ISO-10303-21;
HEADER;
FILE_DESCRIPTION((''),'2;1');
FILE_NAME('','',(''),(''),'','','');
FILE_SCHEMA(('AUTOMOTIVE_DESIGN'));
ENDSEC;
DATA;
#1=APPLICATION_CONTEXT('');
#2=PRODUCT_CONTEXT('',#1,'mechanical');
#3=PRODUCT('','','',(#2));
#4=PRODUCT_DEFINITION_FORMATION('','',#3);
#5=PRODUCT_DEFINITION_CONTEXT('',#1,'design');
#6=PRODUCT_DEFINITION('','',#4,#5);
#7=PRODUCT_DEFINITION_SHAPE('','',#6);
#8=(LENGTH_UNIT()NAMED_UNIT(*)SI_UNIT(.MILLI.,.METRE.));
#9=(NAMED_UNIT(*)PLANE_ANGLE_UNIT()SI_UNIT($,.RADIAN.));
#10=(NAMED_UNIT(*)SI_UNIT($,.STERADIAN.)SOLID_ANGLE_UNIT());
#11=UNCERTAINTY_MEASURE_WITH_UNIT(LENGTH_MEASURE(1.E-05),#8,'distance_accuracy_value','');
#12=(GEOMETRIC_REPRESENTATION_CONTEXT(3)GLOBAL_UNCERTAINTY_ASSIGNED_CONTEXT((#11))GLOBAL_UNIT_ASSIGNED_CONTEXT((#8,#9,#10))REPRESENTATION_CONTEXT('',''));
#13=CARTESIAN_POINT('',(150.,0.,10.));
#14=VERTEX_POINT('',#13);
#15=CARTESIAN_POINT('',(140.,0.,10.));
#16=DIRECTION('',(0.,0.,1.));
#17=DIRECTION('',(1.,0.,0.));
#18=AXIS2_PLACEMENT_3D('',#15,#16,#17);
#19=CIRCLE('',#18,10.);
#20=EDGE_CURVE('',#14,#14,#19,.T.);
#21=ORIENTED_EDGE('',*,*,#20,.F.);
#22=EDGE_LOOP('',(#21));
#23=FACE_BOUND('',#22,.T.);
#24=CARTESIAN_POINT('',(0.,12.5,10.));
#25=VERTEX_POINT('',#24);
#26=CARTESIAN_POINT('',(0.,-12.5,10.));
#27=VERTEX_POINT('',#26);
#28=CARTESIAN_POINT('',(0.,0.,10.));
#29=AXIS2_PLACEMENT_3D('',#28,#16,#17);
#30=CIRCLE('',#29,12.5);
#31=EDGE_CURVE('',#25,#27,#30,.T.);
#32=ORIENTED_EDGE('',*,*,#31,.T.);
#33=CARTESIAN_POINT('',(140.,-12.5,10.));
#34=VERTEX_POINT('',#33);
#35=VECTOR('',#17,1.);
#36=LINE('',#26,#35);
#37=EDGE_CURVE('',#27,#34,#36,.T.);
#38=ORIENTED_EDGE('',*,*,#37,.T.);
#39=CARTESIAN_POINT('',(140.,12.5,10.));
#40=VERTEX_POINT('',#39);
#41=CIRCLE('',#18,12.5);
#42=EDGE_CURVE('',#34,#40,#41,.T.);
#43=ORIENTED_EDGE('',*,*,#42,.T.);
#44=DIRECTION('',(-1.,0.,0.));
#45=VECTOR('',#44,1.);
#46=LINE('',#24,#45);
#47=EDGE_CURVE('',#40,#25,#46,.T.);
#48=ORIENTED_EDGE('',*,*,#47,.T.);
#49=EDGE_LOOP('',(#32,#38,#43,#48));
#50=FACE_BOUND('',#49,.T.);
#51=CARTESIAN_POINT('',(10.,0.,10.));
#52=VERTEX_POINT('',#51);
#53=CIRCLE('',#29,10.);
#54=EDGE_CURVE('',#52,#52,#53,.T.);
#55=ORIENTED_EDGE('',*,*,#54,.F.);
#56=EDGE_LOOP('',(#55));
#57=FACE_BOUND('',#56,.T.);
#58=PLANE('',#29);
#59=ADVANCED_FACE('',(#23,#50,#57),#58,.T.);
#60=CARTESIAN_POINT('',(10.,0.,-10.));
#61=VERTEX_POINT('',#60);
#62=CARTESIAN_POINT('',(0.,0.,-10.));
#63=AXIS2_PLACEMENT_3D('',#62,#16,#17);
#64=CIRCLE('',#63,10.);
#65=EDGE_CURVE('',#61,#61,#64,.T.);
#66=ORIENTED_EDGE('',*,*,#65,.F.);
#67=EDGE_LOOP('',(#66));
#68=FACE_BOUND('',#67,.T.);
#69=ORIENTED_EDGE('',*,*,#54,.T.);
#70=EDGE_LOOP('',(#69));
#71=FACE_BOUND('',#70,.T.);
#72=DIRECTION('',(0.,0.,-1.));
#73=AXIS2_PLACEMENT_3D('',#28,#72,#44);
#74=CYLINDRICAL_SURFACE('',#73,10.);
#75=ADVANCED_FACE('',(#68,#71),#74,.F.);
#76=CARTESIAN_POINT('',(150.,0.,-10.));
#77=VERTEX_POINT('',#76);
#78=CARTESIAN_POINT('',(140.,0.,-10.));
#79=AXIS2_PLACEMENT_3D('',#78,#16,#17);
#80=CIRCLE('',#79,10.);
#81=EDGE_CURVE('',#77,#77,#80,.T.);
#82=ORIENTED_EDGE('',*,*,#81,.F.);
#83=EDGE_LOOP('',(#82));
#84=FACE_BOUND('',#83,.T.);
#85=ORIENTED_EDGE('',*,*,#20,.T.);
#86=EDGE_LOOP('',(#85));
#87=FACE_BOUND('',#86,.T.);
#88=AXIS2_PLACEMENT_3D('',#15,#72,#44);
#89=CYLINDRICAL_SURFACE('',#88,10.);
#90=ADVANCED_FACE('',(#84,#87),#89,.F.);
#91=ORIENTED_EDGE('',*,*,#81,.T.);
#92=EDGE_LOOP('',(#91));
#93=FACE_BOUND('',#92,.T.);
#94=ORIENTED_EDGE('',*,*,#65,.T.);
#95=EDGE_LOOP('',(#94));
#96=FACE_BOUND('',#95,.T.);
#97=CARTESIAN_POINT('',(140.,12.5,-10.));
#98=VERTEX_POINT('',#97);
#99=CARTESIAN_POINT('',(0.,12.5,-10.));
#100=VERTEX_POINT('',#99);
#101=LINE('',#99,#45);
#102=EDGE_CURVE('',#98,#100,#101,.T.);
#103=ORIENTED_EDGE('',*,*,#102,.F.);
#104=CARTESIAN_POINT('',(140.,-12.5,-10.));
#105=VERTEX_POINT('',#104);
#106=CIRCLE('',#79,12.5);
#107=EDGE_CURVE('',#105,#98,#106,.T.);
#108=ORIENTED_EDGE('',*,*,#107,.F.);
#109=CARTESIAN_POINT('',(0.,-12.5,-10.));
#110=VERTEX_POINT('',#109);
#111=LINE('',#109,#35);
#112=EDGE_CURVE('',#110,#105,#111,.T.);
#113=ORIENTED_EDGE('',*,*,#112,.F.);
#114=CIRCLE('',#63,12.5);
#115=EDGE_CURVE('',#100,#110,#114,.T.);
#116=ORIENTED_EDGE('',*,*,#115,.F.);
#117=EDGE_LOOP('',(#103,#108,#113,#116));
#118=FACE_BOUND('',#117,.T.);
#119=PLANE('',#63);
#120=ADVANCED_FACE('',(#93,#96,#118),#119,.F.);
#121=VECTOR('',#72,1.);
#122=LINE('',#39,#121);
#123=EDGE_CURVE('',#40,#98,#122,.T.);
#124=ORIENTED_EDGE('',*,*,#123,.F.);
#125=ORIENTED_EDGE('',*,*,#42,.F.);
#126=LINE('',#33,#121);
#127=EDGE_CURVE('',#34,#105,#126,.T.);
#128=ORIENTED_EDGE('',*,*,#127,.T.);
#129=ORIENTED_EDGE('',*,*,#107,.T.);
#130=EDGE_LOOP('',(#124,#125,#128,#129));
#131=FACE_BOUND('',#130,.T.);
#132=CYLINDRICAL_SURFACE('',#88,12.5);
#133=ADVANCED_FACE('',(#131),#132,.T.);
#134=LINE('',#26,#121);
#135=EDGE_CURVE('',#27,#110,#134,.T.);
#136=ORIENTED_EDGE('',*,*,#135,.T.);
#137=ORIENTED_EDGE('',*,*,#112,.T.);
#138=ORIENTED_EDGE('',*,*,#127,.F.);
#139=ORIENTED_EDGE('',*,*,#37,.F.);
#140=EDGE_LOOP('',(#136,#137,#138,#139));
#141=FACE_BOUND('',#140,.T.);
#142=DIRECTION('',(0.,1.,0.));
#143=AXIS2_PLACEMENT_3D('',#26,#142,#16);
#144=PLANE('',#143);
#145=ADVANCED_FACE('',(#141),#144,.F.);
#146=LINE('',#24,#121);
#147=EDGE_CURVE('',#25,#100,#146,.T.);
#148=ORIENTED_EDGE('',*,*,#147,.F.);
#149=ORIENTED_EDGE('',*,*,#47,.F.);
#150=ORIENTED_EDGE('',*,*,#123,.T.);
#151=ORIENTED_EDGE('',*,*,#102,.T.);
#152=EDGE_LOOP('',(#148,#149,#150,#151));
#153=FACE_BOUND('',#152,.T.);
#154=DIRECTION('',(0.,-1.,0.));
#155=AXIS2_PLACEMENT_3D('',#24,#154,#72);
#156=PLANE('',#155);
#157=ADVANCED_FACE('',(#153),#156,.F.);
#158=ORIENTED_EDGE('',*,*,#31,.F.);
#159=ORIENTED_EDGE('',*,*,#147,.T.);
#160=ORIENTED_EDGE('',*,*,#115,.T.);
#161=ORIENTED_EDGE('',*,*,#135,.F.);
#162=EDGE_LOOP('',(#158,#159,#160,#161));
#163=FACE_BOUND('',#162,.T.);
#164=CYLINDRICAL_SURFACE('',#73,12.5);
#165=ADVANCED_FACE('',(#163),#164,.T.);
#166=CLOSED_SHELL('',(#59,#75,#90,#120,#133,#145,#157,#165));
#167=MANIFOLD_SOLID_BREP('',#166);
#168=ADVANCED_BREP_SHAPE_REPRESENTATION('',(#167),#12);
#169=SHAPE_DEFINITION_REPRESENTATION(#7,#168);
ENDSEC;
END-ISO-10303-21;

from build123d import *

# Parameters (mm, degrees)
SKETCH3_R           = 10
BOSS_EXTRUDE2_DEPTH = 10


with BuildPart() as part:
    # Sketch3 → Boss-Extrude2 (new body, symmetric)
    with BuildSketch(Plane.XY):
        with BuildLine():
            Line((0, 12.5), (140, 12.5))
            ThreePointArc((140, 12.5), (152.5, 0), (140, -12.5))
            Line((140, -12.5), (0, -12.5))
            ThreePointArc((0, -12.5), (-12.5, 0), (0, 12.5))
        make_face()
        Circle(SKETCH3_R, mode=Mode.SUBTRACT)
        with Locations((140, 0)):
            Circle(SKETCH3_R, mode=Mode.SUBTRACT)
    extrude(amount=BOSS_EXTRUDE2_DEPTH, both=True)


solid = part.part
